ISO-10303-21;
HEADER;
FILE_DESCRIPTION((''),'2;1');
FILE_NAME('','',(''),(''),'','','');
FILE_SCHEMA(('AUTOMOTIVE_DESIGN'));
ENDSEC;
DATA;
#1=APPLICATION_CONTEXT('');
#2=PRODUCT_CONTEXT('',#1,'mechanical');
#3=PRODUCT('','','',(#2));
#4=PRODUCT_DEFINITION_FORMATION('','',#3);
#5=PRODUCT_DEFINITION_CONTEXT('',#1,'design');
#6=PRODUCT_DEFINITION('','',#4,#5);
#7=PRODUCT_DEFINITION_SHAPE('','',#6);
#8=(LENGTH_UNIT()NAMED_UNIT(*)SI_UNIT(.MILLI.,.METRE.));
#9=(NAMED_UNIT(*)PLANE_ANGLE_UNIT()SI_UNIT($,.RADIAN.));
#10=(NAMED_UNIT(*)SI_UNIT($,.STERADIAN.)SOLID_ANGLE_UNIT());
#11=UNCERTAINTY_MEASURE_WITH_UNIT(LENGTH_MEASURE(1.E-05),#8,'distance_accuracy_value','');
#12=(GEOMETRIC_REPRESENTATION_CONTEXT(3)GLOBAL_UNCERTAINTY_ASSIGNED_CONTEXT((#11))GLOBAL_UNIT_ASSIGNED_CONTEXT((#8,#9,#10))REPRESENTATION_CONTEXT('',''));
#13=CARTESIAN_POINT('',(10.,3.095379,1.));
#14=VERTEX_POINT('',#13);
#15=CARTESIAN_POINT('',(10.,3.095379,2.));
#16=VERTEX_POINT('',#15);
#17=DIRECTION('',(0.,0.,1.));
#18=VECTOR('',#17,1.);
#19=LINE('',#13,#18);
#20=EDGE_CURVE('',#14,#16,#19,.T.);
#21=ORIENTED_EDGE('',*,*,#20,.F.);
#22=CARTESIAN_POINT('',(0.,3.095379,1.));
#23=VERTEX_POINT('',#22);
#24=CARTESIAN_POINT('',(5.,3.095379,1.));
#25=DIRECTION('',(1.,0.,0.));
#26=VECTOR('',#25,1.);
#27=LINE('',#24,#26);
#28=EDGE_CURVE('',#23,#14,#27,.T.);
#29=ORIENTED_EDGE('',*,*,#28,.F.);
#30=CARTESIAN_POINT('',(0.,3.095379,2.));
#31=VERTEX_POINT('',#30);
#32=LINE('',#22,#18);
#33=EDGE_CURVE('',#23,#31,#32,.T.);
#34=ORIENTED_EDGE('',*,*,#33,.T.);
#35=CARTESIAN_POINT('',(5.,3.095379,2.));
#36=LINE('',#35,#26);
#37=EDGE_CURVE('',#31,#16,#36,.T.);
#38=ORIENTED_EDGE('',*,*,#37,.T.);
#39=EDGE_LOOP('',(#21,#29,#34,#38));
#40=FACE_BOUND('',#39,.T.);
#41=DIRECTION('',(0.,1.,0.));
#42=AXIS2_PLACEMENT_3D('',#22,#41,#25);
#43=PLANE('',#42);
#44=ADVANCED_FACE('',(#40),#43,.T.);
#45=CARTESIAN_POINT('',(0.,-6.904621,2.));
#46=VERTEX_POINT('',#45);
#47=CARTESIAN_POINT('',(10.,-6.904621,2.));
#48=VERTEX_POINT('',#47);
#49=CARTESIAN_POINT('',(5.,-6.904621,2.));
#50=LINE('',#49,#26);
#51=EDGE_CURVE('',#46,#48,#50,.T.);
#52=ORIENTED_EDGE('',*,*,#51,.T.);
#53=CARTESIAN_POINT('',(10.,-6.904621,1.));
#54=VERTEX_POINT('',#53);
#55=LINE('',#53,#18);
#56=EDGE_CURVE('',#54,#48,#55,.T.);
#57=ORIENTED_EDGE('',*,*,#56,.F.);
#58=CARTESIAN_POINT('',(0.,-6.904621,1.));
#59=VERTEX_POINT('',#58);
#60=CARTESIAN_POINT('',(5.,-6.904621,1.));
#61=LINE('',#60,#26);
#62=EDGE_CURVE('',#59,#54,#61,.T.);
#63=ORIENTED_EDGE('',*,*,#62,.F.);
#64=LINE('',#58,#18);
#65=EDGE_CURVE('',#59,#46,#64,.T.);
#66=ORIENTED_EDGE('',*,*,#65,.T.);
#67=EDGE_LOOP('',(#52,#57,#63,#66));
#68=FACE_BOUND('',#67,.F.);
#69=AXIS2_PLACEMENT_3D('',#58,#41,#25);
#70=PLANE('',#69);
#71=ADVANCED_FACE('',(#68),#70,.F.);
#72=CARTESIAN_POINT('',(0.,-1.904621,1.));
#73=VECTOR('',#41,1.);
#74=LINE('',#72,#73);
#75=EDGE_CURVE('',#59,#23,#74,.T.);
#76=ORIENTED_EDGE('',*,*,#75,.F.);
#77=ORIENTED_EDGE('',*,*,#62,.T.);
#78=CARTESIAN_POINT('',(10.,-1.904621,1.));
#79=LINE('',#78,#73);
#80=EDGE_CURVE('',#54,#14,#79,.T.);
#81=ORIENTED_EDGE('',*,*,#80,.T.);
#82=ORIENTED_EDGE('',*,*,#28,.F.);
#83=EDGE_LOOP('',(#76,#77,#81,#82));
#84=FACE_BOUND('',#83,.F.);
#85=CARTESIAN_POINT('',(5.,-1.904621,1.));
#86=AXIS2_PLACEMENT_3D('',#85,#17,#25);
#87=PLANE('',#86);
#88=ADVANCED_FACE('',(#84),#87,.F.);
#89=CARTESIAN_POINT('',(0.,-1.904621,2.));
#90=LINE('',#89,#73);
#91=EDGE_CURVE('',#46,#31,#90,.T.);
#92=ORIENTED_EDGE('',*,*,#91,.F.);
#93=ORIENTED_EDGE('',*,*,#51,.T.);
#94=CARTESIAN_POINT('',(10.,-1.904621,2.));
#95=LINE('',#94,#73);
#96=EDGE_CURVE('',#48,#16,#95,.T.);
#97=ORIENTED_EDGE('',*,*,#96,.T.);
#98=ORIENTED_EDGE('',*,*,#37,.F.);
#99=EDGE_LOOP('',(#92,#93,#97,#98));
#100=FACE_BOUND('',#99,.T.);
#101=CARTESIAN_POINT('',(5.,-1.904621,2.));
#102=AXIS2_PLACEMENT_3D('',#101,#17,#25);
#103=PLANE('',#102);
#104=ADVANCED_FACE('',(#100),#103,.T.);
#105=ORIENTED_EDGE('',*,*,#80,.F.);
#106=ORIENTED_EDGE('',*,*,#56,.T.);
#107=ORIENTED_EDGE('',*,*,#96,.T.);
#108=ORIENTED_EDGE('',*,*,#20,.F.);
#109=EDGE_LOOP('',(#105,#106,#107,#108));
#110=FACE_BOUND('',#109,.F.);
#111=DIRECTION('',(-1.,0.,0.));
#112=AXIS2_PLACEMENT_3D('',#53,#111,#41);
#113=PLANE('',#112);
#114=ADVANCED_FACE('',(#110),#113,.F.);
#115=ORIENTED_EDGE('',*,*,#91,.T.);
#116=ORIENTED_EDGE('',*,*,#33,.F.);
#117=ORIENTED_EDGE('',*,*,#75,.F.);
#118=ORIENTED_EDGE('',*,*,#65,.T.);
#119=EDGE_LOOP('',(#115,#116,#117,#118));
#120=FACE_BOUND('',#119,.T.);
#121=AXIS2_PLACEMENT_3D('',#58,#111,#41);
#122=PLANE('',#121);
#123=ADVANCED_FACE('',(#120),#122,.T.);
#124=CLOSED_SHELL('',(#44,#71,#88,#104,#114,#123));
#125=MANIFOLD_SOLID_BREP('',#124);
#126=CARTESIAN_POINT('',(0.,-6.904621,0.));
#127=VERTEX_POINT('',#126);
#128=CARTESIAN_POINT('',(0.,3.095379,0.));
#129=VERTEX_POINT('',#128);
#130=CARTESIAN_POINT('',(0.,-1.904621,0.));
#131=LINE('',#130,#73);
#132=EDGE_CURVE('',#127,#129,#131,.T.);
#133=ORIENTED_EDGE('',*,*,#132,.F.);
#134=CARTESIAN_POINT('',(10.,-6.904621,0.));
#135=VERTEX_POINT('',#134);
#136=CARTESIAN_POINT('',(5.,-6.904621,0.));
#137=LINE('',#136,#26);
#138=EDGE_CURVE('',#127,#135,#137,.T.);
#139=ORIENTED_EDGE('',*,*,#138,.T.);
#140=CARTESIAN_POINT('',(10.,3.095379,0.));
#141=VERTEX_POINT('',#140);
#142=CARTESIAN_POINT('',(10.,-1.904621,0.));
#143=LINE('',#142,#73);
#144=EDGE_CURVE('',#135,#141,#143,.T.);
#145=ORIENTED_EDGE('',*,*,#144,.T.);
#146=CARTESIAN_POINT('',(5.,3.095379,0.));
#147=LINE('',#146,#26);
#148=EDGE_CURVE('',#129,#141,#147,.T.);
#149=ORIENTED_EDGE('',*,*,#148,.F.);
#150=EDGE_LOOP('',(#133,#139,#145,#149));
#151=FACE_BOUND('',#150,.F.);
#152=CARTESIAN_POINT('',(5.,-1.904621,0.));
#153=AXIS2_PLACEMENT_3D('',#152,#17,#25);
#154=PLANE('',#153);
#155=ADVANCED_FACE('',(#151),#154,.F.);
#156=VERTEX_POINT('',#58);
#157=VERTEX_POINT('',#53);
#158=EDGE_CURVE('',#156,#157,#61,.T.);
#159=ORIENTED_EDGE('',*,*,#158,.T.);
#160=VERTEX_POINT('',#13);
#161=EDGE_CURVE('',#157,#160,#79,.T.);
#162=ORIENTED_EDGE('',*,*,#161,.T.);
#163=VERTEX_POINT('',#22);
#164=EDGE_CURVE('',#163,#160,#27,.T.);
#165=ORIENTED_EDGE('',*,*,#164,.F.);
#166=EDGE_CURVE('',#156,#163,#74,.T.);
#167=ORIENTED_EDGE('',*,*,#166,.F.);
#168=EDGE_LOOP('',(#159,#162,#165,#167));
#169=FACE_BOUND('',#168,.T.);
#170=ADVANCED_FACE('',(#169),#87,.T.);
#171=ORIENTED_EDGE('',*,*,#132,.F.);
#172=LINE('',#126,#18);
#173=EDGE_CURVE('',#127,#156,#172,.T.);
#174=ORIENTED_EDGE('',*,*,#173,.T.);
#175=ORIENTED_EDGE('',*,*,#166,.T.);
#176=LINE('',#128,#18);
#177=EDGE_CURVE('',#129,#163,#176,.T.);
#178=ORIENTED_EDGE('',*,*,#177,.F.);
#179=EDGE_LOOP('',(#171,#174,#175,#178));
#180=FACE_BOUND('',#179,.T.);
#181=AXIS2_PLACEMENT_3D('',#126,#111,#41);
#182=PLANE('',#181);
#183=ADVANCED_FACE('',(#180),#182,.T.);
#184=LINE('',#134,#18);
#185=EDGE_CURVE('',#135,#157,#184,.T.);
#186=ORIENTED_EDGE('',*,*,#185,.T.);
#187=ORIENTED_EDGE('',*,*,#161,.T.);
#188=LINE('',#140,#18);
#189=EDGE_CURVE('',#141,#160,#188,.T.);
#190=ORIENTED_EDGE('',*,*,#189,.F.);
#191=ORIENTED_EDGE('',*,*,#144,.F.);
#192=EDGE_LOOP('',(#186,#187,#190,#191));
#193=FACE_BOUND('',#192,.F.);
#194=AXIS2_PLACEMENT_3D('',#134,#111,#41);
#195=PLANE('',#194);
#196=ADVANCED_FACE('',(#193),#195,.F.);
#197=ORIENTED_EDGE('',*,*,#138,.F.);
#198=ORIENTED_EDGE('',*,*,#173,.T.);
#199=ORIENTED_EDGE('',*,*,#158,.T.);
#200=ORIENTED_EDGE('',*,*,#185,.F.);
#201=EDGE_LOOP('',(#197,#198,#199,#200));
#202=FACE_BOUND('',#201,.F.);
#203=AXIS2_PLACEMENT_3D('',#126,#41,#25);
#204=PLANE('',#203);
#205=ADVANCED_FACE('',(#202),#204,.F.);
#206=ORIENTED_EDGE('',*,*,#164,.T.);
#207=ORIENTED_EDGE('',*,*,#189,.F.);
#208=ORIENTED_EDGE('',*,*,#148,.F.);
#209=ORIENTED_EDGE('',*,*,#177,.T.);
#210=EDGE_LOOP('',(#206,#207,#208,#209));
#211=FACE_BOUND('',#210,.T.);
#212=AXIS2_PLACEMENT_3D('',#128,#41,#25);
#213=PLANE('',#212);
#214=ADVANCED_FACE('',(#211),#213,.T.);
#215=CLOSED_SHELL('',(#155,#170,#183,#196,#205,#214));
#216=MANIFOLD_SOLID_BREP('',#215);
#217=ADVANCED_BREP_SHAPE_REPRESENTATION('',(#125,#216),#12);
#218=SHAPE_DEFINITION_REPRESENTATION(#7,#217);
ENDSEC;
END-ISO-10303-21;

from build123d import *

# Parameters (mm, degrees)
F0_W      = 10
F0_H      = 10
F1_DEPTH  = 1
F1_FACE_W = 10
F1_FACE_H = 10
F2_DEPTH  = 1


with BuildPart() as f1:
    # F0 (on Top) → F1 (new body)
    with BuildSketch(Plane.XY):
        with Locations((5, -1.904621)):
            Rectangle(F0_W, F0_H)
    extrude(amount=F1_DEPTH)


with BuildPart() as f2:
    # F1_face (on face) → F2 (new body)
    with BuildSketch(Plane(origin=(5, -1.904621, 1), x_dir=(1, 0, 0), z_dir=(0, 0, 1))):
        Rectangle(F1_FACE_W, F1_FACE_H)
    extrude(amount=F2_DEPTH)


solid = Compound([f1.part, f2.part])
